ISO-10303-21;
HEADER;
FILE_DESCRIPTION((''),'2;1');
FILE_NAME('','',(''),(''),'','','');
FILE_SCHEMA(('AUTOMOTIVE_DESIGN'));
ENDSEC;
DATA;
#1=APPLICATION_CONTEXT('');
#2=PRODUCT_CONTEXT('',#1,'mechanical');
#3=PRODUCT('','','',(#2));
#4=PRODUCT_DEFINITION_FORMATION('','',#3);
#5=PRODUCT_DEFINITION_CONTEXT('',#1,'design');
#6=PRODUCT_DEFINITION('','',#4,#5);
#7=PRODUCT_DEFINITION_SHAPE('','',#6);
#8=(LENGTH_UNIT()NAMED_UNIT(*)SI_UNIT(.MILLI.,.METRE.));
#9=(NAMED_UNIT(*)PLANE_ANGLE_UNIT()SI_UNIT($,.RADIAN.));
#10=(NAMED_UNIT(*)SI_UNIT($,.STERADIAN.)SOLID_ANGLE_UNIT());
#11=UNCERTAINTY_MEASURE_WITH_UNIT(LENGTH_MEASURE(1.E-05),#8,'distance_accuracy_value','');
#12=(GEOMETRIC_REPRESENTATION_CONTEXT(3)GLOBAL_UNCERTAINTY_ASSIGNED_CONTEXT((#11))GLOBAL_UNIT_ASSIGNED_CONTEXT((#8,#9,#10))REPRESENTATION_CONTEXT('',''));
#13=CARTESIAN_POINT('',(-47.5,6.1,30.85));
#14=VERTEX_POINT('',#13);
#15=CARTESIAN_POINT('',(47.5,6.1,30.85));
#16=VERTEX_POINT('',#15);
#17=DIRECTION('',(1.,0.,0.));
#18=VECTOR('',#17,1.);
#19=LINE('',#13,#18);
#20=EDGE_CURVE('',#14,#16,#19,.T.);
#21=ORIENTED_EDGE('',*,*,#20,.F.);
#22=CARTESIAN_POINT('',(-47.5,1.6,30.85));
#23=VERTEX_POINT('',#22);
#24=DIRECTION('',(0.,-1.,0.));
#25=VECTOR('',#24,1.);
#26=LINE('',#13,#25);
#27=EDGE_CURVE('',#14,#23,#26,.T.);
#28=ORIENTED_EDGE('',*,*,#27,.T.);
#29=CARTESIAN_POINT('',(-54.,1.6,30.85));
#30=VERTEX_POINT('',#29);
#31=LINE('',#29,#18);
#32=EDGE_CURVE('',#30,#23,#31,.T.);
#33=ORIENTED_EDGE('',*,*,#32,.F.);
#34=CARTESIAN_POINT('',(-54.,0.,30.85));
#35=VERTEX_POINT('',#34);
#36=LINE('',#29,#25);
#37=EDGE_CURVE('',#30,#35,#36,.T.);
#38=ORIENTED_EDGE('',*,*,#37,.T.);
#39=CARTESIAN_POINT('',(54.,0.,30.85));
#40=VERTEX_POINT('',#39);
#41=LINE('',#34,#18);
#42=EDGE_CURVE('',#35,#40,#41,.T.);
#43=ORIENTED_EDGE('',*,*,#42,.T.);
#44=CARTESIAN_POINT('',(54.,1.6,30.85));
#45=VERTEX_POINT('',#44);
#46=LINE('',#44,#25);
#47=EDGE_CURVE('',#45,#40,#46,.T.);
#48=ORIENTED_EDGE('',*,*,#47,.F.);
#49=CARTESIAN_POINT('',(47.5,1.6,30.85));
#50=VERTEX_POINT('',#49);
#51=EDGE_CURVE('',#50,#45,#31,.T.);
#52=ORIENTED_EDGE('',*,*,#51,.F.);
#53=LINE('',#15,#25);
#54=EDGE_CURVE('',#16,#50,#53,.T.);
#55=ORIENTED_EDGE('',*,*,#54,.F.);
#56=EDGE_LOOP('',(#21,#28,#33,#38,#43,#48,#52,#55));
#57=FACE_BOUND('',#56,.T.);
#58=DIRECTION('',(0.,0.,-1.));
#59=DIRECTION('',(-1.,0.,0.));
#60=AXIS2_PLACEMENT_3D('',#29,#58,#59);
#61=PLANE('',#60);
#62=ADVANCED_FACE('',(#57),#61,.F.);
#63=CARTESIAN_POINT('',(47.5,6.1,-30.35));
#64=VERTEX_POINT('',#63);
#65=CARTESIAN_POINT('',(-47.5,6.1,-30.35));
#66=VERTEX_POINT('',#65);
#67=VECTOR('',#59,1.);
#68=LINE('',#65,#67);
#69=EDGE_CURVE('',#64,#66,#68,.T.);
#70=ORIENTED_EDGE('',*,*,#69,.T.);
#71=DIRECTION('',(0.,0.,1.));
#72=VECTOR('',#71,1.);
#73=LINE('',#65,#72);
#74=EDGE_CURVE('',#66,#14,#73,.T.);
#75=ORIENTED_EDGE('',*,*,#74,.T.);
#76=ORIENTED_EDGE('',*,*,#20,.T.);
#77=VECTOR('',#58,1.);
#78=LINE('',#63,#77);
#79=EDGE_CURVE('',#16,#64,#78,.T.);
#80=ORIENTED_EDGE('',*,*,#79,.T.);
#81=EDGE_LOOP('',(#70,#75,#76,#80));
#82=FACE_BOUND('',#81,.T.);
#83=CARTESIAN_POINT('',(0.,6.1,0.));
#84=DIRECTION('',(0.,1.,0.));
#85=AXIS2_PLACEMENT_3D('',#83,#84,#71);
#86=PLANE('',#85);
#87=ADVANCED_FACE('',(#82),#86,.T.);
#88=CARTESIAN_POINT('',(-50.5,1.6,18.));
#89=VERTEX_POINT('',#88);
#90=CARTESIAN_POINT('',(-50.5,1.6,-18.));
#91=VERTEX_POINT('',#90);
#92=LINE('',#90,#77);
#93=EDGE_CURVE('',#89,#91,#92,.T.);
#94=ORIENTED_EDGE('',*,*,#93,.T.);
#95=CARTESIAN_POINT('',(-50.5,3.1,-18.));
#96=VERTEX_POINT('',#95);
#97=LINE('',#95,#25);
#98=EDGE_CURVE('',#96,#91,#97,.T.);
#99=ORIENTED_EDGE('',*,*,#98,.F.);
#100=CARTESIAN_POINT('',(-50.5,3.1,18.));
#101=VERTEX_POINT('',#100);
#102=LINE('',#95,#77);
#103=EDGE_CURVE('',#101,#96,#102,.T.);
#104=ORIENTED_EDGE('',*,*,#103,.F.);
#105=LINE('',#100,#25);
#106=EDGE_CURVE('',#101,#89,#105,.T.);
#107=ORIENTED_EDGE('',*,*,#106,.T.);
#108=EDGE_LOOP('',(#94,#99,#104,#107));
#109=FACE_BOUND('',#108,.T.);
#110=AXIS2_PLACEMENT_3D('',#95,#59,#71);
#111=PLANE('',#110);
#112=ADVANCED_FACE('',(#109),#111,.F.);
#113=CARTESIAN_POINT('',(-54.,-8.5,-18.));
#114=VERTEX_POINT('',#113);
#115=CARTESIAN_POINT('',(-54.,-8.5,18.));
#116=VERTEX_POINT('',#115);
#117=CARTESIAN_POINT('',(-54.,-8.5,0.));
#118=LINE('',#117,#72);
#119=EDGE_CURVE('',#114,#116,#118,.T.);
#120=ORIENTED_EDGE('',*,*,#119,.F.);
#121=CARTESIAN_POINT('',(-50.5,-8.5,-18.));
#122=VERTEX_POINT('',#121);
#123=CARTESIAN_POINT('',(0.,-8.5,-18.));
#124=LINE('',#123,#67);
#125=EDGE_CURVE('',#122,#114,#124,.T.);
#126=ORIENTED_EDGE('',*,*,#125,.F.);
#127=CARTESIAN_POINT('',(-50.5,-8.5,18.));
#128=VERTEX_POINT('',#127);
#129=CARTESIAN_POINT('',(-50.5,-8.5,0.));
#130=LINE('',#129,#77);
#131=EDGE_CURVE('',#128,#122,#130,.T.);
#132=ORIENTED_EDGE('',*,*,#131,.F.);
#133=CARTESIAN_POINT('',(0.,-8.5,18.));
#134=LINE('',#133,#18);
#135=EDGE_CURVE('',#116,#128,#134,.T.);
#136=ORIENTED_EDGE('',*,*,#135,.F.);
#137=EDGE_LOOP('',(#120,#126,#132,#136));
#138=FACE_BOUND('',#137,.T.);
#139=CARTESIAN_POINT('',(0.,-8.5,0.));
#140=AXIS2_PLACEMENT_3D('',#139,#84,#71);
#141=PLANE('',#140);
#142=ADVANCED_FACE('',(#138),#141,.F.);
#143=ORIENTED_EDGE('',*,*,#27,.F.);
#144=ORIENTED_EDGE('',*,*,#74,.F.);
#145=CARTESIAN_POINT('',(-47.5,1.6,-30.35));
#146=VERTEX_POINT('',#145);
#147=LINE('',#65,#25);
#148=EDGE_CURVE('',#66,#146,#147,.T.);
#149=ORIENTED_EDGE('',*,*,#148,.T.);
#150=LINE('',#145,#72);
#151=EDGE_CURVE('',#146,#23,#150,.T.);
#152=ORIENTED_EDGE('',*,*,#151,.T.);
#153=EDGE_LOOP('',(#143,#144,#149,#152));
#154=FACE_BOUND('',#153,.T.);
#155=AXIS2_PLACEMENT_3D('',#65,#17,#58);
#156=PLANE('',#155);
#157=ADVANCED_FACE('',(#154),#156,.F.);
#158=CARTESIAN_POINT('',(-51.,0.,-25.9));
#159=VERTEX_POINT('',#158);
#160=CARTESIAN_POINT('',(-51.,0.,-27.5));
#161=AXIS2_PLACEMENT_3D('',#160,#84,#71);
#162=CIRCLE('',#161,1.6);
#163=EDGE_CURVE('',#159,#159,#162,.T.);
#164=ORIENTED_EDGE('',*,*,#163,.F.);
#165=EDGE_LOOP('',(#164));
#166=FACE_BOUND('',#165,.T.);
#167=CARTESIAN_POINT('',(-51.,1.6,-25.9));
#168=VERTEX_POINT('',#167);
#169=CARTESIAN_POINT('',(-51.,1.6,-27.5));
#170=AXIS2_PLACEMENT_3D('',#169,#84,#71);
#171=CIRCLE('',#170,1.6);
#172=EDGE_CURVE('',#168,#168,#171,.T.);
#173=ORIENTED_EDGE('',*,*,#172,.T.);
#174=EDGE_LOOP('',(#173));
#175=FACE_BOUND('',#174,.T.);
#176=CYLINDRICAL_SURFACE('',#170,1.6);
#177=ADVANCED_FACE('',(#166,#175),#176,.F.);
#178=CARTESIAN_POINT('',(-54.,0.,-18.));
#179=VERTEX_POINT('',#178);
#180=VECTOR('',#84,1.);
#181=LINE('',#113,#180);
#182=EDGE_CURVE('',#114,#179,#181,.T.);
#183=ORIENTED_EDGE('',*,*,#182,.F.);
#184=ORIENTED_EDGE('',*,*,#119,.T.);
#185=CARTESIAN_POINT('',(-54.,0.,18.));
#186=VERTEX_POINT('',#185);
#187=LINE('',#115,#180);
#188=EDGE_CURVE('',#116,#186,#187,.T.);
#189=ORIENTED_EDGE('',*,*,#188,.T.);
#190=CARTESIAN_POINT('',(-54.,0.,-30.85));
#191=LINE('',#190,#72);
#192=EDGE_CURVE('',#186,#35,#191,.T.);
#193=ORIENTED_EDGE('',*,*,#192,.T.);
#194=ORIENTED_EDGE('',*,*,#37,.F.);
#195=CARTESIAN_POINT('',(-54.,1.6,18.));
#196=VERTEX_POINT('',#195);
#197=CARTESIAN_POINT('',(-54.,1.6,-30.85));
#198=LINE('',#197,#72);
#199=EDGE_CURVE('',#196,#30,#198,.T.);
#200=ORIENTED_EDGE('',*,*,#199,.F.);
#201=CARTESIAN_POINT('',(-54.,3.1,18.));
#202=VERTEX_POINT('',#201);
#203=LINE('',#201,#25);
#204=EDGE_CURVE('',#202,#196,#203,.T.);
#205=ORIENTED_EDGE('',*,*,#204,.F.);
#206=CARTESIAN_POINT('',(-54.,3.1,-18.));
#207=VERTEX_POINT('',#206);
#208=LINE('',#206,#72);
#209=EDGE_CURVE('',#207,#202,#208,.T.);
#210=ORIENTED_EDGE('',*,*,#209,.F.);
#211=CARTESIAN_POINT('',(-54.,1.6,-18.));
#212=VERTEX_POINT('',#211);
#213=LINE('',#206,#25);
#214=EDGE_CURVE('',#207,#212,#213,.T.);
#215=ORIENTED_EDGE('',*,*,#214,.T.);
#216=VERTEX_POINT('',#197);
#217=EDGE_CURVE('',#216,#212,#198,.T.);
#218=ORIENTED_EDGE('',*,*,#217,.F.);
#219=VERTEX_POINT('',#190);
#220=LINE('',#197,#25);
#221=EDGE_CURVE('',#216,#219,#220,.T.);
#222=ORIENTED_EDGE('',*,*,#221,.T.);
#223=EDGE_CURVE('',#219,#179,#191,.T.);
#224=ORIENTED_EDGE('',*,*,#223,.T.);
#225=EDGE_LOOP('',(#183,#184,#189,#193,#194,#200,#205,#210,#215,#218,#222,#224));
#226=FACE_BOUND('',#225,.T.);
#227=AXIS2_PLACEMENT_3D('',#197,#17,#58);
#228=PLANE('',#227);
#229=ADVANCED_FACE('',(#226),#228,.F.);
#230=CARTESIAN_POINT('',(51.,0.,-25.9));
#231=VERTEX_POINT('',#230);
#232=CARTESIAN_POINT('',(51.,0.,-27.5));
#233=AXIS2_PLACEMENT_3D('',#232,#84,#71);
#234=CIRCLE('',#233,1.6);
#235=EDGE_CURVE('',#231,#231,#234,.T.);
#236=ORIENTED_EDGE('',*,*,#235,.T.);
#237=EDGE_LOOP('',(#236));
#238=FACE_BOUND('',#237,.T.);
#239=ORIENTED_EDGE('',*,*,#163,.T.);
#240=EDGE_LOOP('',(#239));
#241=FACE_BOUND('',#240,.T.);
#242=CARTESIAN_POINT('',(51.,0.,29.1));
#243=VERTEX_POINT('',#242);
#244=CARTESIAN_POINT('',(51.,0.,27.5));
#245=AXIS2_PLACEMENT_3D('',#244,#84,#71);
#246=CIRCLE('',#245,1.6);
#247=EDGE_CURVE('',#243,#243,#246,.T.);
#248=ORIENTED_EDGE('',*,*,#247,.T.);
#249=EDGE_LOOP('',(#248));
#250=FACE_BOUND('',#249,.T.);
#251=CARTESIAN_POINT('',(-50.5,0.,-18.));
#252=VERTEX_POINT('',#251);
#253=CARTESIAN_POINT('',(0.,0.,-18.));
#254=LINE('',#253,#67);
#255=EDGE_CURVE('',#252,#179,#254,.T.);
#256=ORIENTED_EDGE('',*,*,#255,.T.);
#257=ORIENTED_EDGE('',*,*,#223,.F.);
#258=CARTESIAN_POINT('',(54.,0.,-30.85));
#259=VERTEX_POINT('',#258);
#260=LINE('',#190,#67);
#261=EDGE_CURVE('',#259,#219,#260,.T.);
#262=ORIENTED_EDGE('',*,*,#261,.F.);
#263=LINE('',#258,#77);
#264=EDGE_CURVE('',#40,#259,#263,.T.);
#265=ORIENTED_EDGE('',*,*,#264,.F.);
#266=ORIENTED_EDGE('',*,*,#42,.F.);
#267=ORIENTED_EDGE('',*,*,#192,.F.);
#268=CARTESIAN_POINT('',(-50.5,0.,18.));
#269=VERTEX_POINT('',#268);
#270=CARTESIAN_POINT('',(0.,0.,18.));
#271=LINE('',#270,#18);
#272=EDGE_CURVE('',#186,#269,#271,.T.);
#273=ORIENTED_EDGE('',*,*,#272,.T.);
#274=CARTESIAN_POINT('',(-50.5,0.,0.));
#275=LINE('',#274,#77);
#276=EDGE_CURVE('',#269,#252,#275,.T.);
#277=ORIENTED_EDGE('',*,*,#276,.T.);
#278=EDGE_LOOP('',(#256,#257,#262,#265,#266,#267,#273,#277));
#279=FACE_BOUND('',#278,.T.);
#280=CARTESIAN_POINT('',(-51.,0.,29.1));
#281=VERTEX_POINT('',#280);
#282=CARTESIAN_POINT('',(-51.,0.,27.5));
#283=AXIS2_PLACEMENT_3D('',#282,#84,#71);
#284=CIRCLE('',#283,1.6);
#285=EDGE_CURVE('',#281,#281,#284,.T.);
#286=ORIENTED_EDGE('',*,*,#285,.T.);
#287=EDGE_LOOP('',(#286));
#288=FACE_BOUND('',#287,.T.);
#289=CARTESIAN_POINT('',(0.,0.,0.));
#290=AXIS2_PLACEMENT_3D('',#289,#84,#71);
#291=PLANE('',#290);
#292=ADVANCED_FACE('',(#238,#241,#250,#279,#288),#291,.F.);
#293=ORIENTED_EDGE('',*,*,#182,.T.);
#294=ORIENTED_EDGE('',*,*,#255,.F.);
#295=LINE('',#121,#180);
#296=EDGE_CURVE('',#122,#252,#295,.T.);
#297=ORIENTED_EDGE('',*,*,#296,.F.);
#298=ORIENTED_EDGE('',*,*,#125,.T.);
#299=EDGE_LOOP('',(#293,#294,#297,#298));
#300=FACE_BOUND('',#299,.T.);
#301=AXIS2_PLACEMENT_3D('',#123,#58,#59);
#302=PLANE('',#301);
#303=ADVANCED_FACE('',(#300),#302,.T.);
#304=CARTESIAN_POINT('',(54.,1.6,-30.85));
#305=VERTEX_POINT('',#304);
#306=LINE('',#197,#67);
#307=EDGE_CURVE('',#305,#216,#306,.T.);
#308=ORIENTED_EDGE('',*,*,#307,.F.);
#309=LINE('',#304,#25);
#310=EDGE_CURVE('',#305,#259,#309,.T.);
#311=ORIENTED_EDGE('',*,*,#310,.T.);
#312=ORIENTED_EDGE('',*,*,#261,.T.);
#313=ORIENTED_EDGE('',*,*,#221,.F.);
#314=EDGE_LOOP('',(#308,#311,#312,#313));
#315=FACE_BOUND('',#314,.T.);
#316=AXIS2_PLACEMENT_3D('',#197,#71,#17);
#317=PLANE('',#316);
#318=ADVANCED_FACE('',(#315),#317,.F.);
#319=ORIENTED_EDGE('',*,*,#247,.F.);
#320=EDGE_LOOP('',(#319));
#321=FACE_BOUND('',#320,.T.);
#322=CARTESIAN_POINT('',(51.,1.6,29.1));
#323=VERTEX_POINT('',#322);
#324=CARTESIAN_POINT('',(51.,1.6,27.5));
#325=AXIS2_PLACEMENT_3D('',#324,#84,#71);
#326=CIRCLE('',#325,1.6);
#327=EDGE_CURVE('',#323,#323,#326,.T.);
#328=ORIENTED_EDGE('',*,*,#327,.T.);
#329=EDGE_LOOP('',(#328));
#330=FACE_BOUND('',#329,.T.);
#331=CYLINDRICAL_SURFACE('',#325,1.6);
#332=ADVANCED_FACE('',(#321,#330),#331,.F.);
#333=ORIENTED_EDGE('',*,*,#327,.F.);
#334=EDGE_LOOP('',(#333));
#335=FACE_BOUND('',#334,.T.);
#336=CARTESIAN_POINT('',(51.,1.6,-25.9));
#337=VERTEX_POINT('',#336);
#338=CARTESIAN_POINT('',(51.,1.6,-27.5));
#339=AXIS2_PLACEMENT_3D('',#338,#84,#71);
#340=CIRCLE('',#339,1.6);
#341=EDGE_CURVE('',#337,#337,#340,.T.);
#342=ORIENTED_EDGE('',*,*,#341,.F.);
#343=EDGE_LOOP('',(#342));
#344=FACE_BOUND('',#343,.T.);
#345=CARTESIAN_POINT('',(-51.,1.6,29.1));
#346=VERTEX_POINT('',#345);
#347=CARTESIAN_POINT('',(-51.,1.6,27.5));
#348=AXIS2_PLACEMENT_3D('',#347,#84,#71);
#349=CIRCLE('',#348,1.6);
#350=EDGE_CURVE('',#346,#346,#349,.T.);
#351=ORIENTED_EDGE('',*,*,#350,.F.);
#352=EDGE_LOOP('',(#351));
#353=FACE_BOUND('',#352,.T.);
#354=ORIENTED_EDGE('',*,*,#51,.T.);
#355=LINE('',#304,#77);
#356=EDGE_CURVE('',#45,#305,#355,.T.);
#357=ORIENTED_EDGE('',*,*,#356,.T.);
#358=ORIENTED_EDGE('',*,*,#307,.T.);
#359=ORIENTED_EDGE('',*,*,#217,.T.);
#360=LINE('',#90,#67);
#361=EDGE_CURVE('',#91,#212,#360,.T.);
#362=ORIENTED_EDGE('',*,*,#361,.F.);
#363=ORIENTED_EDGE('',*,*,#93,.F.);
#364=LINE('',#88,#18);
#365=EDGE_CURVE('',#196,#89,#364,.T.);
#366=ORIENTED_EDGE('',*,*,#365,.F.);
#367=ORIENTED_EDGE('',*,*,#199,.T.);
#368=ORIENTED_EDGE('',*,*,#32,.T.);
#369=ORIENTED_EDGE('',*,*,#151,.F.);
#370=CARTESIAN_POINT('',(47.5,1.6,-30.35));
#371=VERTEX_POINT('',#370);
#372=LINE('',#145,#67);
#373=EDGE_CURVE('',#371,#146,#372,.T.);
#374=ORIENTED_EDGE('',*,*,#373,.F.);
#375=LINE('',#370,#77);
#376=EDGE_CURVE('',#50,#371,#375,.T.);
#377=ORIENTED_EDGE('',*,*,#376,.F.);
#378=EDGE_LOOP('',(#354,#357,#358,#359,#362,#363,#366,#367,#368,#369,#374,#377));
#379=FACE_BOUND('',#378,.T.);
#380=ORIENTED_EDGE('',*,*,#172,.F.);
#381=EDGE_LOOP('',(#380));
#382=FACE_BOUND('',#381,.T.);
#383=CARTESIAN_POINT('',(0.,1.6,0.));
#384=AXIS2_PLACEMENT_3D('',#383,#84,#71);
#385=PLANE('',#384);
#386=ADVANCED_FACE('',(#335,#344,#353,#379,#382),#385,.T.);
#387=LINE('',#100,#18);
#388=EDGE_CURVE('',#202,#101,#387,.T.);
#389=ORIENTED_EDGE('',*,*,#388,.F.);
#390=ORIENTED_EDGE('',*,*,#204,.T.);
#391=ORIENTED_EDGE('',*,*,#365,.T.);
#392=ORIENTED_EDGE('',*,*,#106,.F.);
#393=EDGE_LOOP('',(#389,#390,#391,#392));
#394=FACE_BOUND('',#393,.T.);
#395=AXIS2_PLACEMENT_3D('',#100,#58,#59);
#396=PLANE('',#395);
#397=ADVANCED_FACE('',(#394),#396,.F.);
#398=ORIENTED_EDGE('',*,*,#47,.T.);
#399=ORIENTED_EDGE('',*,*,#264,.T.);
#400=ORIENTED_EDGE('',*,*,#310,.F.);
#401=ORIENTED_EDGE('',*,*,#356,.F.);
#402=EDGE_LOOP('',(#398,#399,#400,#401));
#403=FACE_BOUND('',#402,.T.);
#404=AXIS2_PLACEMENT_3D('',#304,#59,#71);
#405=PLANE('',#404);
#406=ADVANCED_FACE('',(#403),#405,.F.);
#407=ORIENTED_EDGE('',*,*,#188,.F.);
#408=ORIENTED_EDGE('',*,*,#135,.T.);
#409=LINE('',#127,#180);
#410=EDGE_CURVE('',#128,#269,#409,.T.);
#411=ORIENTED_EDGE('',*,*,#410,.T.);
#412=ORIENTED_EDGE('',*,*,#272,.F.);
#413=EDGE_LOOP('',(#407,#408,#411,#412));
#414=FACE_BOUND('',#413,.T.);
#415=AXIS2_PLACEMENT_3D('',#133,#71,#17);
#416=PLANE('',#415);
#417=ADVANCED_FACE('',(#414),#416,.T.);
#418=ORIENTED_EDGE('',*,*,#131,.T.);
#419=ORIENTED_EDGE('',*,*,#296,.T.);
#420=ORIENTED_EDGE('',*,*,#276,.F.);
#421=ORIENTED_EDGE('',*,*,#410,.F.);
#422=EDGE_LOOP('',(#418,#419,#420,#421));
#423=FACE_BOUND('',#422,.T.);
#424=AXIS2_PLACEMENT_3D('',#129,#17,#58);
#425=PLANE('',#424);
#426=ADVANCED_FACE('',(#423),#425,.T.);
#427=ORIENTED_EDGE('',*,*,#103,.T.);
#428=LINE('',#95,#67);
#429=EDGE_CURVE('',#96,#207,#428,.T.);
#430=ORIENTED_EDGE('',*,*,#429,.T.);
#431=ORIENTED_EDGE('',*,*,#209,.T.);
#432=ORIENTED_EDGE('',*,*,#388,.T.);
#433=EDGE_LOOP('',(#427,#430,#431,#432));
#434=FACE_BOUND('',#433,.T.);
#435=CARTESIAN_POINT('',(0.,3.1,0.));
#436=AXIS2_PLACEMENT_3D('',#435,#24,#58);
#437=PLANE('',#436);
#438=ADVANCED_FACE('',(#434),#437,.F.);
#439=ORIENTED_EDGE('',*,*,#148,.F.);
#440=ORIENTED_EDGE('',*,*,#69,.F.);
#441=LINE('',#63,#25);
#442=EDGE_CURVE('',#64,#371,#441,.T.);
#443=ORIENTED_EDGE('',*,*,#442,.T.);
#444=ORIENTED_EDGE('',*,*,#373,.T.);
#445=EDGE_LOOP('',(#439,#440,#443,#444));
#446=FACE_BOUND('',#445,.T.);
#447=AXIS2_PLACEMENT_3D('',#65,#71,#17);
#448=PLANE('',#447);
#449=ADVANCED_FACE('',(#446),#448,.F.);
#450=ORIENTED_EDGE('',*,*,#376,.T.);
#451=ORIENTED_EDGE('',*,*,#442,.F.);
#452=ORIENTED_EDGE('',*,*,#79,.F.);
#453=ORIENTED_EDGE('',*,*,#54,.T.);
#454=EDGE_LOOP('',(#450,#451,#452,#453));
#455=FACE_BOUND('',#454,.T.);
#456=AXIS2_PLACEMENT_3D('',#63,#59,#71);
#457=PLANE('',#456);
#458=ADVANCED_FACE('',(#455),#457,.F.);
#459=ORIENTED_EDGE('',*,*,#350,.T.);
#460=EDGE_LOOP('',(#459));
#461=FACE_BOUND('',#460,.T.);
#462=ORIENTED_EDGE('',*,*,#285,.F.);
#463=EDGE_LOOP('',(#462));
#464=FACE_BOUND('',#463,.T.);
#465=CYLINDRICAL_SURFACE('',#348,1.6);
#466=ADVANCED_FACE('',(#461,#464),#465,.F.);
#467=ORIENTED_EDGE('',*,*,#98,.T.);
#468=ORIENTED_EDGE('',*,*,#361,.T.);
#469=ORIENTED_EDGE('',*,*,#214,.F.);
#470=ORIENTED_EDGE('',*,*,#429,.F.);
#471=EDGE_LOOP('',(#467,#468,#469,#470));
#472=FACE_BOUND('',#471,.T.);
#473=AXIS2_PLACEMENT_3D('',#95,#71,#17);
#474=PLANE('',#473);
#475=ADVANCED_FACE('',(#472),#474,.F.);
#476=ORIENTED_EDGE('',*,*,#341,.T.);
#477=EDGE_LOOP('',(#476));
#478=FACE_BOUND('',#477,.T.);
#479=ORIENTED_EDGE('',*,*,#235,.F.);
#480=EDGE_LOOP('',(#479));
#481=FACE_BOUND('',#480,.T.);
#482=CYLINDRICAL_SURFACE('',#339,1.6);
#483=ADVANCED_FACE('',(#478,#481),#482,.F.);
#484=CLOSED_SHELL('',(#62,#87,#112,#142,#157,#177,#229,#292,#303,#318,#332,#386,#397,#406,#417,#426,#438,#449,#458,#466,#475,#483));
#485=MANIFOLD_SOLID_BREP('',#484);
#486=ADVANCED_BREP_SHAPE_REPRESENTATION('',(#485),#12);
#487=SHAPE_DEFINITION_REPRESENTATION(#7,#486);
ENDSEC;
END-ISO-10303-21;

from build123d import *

# Parameters (mm, degrees)
SKETCH_1_W         = 108
SKETCH_1_H         = 61.7
PCB_DEPTH          = 1.6
SKETCH_2_W         = 95
SKETCH_2_H         = 61.2
EXTRUDE_560_DEPTH  = 4.5
SKETCH_4_W         = 3.5
SKETCH_4_H         = 36
EXTRUDE_3_DEPTH    = 1.5
EXTRUDE_START      = -1.6
SKETCH_4_2_W       = 3.5
SKETCH_4_2_H       = 36
EXTRUDE_4_DEPTH    = 8.5
HOLE_WIZARD_M3_1_D = 3.2


with BuildPart() as part:
    # 草图1 → PCB (new body)
    with BuildSketch(Plane(origin=(0, 0, 0), x_dir=(1, 0, 0), z_dir=(0, 1, 0))):
        Rectangle(SKETCH_1_W, SKETCH_1_H)
    extrude(amount=PCB_DEPTH)

    # 草图2 → Extrude 560 (add)
    with BuildSketch(Plane(origin=(0, 1.6, 0), x_dir=(1, 0, 0), z_dir=(0, 1, 0))):
        with Locations((0, -0.25)):
            Rectangle(SKETCH_2_W, SKETCH_2_H)
    extrude(amount=EXTRUDE_560_DEPTH)

    # 草图4 → 凸台-拉伸3 (add)
    with BuildSketch(Plane(origin=(0, 1.6, 0), x_dir=(1, 0, 0), z_dir=(0, 1, 0))):
        with Locations((-52.25, 0)):
            Rectangle(SKETCH_4_W, SKETCH_4_H)
    extrude(amount=EXTRUDE_3_DEPTH)

    # 草图4<2> → 凸台-拉伸4 (add)
    with BuildSketch(Plane(origin=(0, 1.6, 0), x_dir=(1, 0, 0), z_dir=(0, 1, 0)).offset(EXTRUDE_START)):
        with Locations((-52.25, 0)):
            Rectangle(SKETCH_4_2_W, SKETCH_4_2_H)
    extrude(amount=-EXTRUDE_4_DEPTH)

    # M3 间隙孔1 (through all)
    with Locations(Plane(origin=(0, 1.6, 0), x_dir=(1, 0, 0), z_dir=(0, 1, 0))):
        with Locations((-51, 27.5), (-51, -27.5), (51, 27.5), (51, -27.5)):
            Hole(HOLE_WIZARD_M3_1_D / 2)


solid = part.part
